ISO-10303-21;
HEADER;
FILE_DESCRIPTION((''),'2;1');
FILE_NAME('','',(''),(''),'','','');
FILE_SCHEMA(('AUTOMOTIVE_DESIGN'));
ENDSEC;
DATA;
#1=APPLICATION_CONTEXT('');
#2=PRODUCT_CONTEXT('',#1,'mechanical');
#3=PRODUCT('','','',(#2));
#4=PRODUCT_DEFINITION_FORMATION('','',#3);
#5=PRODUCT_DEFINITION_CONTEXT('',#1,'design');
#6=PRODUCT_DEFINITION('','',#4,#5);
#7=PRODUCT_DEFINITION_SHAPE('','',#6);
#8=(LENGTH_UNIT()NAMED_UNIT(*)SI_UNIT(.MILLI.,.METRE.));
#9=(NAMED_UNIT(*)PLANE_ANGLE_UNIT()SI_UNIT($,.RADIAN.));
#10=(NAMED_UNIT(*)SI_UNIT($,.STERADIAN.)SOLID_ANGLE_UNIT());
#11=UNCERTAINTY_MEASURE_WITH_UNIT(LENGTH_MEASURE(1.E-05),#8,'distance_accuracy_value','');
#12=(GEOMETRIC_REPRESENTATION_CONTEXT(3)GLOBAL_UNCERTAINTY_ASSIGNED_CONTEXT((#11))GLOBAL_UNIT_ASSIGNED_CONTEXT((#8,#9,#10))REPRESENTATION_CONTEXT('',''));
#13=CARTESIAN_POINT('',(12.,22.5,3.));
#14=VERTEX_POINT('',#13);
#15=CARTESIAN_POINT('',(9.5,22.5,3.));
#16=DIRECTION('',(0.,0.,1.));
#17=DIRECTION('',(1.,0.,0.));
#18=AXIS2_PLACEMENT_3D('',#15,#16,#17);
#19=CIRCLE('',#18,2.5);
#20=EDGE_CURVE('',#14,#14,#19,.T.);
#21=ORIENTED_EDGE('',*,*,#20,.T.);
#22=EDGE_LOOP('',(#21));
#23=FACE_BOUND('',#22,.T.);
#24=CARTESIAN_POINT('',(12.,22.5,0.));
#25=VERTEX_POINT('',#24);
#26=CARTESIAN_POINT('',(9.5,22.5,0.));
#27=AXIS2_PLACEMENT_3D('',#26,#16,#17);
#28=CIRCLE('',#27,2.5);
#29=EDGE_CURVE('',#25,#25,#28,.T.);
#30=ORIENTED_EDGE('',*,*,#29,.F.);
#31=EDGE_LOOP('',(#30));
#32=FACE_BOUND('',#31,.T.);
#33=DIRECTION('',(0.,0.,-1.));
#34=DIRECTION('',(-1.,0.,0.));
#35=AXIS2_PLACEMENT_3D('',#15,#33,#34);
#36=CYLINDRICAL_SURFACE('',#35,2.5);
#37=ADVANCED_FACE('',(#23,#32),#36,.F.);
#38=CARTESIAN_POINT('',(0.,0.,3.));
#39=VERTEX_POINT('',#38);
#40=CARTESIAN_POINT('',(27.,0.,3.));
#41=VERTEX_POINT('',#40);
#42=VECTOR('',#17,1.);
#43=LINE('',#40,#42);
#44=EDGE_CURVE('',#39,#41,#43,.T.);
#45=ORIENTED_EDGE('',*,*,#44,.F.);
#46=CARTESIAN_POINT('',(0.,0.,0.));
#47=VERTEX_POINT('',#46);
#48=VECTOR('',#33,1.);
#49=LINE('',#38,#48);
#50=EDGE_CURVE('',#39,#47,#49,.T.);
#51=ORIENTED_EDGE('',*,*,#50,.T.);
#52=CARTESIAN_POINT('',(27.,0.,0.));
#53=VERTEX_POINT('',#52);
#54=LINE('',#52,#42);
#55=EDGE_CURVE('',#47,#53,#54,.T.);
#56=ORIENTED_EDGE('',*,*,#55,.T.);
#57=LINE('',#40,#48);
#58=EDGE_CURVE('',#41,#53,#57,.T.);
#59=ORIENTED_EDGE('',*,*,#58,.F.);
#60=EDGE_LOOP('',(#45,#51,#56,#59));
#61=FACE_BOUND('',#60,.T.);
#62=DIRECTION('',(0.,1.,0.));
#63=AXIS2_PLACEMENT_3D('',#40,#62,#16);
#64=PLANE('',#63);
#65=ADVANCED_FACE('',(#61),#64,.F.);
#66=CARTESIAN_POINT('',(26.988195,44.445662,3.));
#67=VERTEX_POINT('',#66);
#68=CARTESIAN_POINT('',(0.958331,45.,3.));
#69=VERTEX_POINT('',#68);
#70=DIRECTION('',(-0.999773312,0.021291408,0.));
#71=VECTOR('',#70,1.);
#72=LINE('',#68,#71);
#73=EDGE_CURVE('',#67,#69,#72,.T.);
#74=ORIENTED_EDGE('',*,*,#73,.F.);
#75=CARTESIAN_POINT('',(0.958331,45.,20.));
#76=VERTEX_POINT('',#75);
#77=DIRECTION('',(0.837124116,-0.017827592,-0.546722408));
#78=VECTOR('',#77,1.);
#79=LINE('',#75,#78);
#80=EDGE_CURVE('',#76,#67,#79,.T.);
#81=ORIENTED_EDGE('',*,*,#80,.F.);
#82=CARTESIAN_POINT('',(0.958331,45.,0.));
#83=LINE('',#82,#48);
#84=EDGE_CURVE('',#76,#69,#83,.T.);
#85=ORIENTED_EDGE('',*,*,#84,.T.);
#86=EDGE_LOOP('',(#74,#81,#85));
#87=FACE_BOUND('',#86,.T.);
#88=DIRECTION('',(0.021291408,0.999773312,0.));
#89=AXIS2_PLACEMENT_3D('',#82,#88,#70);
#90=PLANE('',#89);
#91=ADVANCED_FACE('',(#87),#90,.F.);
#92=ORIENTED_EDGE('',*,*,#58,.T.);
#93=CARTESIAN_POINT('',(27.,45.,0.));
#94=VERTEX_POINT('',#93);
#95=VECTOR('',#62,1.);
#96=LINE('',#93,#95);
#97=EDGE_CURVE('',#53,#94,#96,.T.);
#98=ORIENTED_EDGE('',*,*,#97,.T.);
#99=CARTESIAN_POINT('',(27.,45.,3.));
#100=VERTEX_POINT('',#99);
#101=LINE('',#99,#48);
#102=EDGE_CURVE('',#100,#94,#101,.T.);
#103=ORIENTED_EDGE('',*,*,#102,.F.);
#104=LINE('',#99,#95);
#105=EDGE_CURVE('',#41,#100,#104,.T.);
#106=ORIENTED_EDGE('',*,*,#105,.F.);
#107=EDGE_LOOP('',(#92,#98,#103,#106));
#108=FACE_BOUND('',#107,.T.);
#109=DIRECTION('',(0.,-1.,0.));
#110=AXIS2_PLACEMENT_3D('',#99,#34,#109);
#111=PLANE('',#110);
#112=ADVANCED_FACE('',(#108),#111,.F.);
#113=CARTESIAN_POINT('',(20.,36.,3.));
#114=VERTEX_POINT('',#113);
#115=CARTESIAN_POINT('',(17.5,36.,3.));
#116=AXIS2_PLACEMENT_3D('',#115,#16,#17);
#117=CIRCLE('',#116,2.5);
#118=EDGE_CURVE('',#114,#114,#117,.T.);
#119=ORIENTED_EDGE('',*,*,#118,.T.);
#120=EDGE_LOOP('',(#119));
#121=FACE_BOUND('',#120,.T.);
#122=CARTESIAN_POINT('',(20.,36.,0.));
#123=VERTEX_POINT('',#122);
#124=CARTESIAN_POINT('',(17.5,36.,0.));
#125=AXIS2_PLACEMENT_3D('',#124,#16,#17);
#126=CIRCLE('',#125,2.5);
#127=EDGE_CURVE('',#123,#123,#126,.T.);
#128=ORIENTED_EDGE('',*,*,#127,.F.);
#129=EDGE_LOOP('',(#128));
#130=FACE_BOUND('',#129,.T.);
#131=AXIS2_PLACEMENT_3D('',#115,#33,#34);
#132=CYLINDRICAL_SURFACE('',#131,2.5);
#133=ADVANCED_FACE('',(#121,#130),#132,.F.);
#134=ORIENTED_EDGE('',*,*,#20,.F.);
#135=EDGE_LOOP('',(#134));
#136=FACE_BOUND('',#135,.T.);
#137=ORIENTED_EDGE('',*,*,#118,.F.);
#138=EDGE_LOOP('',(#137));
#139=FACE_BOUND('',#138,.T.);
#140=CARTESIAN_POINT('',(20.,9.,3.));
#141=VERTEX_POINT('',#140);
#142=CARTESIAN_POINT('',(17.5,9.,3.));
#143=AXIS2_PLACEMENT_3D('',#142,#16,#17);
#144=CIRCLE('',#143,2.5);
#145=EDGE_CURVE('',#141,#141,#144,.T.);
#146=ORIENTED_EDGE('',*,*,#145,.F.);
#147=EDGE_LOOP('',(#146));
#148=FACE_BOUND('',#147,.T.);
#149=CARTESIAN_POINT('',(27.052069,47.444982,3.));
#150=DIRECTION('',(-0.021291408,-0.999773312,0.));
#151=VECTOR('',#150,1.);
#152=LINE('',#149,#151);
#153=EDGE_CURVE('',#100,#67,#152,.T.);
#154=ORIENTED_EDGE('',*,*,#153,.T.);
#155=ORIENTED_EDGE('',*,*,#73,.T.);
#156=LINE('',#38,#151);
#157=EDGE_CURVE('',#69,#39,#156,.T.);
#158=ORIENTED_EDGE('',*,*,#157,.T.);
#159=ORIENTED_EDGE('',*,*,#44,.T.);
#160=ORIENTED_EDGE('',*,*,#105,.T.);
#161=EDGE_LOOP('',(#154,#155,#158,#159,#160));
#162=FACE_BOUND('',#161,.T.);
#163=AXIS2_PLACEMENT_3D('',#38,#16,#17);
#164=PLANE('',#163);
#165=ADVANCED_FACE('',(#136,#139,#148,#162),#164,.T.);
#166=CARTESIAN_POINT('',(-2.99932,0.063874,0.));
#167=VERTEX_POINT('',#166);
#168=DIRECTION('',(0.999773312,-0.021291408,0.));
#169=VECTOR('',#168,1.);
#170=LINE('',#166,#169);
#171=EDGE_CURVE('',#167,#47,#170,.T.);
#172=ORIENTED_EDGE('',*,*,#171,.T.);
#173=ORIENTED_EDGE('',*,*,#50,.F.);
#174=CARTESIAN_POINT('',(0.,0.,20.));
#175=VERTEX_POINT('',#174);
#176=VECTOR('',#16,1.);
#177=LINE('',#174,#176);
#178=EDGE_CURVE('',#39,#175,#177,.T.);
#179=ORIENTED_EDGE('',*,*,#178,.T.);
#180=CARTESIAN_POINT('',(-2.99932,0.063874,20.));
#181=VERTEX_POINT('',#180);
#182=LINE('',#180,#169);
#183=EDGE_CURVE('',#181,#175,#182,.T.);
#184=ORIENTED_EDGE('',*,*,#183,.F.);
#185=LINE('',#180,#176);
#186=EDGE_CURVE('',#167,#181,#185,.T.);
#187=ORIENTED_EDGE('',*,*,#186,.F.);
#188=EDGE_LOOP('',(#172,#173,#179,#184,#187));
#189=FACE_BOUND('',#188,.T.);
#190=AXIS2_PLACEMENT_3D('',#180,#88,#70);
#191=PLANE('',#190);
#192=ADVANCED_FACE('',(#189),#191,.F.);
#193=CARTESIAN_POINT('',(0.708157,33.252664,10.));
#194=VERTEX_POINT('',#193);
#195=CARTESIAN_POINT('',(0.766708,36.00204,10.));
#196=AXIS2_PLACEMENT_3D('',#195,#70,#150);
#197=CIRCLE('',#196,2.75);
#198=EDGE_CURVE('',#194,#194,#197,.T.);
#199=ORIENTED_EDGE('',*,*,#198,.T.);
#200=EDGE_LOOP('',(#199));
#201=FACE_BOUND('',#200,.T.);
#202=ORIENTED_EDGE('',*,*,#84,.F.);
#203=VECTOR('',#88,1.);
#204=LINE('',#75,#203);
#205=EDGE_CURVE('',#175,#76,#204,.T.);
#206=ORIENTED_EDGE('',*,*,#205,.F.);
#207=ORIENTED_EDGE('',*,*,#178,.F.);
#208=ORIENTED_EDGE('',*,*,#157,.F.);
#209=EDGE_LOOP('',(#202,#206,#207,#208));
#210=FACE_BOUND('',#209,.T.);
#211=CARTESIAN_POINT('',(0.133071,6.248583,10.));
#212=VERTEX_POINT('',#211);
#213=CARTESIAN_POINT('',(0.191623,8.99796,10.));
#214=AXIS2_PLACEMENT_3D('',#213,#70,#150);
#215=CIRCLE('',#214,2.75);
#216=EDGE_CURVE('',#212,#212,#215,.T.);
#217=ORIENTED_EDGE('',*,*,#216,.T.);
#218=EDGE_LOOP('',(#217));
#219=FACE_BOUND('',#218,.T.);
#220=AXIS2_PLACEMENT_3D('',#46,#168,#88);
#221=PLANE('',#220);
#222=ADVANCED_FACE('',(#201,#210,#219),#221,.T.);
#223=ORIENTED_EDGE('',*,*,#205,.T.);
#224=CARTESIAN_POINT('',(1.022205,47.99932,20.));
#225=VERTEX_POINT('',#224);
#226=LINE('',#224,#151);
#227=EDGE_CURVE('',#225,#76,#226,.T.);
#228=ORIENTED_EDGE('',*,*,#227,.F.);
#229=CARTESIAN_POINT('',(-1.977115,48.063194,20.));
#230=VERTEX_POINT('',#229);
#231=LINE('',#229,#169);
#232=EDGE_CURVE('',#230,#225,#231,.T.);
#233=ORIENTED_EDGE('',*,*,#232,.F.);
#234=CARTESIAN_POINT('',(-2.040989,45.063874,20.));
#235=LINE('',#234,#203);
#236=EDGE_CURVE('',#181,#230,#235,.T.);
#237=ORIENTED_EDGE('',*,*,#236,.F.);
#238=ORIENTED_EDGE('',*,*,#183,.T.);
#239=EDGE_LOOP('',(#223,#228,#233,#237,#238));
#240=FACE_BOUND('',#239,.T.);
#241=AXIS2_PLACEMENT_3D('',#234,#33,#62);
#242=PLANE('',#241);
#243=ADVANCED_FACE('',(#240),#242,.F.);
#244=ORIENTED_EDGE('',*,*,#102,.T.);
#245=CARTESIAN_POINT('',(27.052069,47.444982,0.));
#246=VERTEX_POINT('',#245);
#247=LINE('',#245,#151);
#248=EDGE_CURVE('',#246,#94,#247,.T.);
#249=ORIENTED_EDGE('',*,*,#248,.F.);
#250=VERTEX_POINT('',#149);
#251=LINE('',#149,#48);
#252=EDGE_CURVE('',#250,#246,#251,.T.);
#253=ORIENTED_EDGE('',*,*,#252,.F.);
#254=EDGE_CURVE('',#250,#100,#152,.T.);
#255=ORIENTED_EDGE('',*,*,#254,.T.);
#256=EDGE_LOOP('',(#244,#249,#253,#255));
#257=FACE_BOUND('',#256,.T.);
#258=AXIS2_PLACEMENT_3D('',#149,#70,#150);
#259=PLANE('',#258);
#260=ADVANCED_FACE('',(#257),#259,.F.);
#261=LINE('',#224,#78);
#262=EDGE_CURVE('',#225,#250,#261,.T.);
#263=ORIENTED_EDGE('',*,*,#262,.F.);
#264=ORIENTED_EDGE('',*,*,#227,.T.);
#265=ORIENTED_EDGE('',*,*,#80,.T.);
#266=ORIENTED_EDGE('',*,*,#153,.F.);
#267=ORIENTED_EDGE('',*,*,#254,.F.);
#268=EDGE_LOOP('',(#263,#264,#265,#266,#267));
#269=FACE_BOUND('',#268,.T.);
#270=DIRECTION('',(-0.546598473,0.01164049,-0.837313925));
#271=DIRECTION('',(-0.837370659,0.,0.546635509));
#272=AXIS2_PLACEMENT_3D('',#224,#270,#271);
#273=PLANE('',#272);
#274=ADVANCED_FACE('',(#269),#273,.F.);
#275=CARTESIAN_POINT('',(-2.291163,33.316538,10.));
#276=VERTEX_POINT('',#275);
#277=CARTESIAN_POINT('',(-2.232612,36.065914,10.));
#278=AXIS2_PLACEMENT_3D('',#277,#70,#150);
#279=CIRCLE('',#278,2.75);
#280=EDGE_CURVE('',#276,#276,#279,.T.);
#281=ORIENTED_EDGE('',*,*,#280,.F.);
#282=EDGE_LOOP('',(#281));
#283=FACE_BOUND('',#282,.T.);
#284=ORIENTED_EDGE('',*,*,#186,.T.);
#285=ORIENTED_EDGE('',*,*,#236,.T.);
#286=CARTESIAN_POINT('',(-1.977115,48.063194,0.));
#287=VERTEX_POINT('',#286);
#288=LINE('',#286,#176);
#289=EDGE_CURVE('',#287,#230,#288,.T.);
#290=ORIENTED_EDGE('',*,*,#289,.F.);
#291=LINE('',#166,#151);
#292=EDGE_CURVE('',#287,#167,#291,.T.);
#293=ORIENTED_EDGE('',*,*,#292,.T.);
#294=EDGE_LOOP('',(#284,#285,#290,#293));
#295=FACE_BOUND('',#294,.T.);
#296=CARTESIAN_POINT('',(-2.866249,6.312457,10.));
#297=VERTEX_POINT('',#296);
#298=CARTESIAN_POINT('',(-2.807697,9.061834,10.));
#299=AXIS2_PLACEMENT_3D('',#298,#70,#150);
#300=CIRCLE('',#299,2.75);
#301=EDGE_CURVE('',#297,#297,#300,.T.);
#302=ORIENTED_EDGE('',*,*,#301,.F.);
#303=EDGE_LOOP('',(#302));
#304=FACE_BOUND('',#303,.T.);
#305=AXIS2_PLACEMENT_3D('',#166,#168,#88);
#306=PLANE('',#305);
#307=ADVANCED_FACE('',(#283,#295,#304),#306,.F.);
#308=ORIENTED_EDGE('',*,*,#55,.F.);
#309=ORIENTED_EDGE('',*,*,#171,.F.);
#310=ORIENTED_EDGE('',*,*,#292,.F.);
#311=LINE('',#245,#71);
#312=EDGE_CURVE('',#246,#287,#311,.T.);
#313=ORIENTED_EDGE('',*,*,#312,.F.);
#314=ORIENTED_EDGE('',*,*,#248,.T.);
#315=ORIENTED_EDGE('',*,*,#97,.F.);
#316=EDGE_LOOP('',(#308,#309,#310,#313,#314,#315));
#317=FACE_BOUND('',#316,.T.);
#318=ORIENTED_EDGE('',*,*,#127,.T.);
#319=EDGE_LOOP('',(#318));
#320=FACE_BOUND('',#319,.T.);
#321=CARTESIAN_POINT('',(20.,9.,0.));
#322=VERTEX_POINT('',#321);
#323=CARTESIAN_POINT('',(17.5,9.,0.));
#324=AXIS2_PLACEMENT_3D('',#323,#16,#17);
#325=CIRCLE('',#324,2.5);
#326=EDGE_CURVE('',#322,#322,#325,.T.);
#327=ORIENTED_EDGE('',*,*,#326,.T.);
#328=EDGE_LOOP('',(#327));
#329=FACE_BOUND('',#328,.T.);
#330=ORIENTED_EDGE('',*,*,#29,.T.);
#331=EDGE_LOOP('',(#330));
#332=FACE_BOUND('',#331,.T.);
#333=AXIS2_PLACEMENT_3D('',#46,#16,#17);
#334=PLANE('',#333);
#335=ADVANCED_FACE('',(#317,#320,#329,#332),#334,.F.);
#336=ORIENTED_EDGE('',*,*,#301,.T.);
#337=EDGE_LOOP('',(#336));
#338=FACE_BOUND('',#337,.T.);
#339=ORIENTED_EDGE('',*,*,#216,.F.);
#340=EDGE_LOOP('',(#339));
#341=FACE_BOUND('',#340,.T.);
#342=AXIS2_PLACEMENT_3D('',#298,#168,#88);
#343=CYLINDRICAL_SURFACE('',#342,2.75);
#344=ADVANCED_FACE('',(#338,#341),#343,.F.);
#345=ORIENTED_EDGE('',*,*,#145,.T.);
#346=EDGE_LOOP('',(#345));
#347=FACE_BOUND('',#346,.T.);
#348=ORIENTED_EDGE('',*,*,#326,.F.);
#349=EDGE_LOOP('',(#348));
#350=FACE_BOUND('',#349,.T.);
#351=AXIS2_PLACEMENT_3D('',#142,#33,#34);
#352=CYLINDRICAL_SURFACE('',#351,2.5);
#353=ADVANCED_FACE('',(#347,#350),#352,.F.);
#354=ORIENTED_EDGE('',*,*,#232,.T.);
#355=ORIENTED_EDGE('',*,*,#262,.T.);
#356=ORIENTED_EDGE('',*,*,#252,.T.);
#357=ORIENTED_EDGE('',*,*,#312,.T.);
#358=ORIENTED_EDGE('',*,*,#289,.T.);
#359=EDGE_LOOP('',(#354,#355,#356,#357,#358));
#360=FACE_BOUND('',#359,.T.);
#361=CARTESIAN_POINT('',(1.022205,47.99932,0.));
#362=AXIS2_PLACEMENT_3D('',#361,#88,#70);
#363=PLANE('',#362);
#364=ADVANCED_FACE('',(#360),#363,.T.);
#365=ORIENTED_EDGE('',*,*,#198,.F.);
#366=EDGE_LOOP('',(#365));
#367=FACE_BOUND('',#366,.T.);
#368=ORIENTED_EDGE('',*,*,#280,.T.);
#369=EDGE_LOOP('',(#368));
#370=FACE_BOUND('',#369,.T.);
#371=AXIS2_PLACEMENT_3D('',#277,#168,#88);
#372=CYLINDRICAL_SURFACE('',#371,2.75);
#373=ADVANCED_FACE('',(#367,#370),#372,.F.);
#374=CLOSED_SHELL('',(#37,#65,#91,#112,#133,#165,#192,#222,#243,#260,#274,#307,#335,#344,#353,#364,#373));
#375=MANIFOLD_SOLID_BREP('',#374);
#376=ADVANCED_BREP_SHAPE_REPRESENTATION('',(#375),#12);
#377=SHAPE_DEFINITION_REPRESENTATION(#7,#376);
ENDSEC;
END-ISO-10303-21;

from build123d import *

# Parameters (mm, degrees)
SKETCH1_R           = 2.5
BOSS_EXTRUDE1_DEPTH = 3
SKETCH2_W           = 20
SKETCH2_H           = 45.01020326
SKETCH2_R           = 2.75
BOSS_EXTRUDE2_DEPTH = 3
BOSS_EXTRUDE3_DEPTH = 3


with BuildPart() as part:
    # Sketch1 → Boss-Extrude1 (new body)
    with BuildSketch(Plane.XY):
        Polygon((0, 0), (0.958330597, 45), (27, 45), (27, 0), align=None)
        with Locations((17.5, 36)):
            Circle(SKETCH1_R, mode=Mode.SUBTRACT)
        with Locations((17.5, 9)):
            Circle(SKETCH1_R, mode=Mode.SUBTRACT)
        with Locations((9.5, 22.5)):
            Circle(SKETCH1_R, mode=Mode.SUBTRACT)
    extrude(amount=BOSS_EXTRUDE1_DEPTH)

    # Sketch2 → Boss-Extrude2 (add)
    with BuildSketch(Plane(origin=(0, 0, 0), x_dir=(0, 0, 1), z_dir=(-0.999773312, 0.021291408, 0))):
        with Locations((10, 22.50510163)):
            Rectangle(SKETCH2_W, SKETCH2_H)
        with Locations((10, 36.01020326)):
            Circle(SKETCH2_R, mode=Mode.SUBTRACT)
        with Locations((10, 9)):
            Circle(SKETCH2_R, mode=Mode.SUBTRACT)
    extrude(amount=BOSS_EXTRUDE2_DEPTH)

    # Sketch3 → Boss-Extrude3 (add)
    with BuildSketch(Plane(origin=(0.958330597, 45, 0), x_dir=(0.999773312, -0.021291408, 0), z_dir=(0.021291408, 0.999773312, 0))):
        Polygon((0, -20), (26.035766076, -3), (26.035766076, 0), (-3, 0), (-3, -20), align=None)
    extrude(amount=BOSS_EXTRUDE3_DEPTH)


solid = part.part
